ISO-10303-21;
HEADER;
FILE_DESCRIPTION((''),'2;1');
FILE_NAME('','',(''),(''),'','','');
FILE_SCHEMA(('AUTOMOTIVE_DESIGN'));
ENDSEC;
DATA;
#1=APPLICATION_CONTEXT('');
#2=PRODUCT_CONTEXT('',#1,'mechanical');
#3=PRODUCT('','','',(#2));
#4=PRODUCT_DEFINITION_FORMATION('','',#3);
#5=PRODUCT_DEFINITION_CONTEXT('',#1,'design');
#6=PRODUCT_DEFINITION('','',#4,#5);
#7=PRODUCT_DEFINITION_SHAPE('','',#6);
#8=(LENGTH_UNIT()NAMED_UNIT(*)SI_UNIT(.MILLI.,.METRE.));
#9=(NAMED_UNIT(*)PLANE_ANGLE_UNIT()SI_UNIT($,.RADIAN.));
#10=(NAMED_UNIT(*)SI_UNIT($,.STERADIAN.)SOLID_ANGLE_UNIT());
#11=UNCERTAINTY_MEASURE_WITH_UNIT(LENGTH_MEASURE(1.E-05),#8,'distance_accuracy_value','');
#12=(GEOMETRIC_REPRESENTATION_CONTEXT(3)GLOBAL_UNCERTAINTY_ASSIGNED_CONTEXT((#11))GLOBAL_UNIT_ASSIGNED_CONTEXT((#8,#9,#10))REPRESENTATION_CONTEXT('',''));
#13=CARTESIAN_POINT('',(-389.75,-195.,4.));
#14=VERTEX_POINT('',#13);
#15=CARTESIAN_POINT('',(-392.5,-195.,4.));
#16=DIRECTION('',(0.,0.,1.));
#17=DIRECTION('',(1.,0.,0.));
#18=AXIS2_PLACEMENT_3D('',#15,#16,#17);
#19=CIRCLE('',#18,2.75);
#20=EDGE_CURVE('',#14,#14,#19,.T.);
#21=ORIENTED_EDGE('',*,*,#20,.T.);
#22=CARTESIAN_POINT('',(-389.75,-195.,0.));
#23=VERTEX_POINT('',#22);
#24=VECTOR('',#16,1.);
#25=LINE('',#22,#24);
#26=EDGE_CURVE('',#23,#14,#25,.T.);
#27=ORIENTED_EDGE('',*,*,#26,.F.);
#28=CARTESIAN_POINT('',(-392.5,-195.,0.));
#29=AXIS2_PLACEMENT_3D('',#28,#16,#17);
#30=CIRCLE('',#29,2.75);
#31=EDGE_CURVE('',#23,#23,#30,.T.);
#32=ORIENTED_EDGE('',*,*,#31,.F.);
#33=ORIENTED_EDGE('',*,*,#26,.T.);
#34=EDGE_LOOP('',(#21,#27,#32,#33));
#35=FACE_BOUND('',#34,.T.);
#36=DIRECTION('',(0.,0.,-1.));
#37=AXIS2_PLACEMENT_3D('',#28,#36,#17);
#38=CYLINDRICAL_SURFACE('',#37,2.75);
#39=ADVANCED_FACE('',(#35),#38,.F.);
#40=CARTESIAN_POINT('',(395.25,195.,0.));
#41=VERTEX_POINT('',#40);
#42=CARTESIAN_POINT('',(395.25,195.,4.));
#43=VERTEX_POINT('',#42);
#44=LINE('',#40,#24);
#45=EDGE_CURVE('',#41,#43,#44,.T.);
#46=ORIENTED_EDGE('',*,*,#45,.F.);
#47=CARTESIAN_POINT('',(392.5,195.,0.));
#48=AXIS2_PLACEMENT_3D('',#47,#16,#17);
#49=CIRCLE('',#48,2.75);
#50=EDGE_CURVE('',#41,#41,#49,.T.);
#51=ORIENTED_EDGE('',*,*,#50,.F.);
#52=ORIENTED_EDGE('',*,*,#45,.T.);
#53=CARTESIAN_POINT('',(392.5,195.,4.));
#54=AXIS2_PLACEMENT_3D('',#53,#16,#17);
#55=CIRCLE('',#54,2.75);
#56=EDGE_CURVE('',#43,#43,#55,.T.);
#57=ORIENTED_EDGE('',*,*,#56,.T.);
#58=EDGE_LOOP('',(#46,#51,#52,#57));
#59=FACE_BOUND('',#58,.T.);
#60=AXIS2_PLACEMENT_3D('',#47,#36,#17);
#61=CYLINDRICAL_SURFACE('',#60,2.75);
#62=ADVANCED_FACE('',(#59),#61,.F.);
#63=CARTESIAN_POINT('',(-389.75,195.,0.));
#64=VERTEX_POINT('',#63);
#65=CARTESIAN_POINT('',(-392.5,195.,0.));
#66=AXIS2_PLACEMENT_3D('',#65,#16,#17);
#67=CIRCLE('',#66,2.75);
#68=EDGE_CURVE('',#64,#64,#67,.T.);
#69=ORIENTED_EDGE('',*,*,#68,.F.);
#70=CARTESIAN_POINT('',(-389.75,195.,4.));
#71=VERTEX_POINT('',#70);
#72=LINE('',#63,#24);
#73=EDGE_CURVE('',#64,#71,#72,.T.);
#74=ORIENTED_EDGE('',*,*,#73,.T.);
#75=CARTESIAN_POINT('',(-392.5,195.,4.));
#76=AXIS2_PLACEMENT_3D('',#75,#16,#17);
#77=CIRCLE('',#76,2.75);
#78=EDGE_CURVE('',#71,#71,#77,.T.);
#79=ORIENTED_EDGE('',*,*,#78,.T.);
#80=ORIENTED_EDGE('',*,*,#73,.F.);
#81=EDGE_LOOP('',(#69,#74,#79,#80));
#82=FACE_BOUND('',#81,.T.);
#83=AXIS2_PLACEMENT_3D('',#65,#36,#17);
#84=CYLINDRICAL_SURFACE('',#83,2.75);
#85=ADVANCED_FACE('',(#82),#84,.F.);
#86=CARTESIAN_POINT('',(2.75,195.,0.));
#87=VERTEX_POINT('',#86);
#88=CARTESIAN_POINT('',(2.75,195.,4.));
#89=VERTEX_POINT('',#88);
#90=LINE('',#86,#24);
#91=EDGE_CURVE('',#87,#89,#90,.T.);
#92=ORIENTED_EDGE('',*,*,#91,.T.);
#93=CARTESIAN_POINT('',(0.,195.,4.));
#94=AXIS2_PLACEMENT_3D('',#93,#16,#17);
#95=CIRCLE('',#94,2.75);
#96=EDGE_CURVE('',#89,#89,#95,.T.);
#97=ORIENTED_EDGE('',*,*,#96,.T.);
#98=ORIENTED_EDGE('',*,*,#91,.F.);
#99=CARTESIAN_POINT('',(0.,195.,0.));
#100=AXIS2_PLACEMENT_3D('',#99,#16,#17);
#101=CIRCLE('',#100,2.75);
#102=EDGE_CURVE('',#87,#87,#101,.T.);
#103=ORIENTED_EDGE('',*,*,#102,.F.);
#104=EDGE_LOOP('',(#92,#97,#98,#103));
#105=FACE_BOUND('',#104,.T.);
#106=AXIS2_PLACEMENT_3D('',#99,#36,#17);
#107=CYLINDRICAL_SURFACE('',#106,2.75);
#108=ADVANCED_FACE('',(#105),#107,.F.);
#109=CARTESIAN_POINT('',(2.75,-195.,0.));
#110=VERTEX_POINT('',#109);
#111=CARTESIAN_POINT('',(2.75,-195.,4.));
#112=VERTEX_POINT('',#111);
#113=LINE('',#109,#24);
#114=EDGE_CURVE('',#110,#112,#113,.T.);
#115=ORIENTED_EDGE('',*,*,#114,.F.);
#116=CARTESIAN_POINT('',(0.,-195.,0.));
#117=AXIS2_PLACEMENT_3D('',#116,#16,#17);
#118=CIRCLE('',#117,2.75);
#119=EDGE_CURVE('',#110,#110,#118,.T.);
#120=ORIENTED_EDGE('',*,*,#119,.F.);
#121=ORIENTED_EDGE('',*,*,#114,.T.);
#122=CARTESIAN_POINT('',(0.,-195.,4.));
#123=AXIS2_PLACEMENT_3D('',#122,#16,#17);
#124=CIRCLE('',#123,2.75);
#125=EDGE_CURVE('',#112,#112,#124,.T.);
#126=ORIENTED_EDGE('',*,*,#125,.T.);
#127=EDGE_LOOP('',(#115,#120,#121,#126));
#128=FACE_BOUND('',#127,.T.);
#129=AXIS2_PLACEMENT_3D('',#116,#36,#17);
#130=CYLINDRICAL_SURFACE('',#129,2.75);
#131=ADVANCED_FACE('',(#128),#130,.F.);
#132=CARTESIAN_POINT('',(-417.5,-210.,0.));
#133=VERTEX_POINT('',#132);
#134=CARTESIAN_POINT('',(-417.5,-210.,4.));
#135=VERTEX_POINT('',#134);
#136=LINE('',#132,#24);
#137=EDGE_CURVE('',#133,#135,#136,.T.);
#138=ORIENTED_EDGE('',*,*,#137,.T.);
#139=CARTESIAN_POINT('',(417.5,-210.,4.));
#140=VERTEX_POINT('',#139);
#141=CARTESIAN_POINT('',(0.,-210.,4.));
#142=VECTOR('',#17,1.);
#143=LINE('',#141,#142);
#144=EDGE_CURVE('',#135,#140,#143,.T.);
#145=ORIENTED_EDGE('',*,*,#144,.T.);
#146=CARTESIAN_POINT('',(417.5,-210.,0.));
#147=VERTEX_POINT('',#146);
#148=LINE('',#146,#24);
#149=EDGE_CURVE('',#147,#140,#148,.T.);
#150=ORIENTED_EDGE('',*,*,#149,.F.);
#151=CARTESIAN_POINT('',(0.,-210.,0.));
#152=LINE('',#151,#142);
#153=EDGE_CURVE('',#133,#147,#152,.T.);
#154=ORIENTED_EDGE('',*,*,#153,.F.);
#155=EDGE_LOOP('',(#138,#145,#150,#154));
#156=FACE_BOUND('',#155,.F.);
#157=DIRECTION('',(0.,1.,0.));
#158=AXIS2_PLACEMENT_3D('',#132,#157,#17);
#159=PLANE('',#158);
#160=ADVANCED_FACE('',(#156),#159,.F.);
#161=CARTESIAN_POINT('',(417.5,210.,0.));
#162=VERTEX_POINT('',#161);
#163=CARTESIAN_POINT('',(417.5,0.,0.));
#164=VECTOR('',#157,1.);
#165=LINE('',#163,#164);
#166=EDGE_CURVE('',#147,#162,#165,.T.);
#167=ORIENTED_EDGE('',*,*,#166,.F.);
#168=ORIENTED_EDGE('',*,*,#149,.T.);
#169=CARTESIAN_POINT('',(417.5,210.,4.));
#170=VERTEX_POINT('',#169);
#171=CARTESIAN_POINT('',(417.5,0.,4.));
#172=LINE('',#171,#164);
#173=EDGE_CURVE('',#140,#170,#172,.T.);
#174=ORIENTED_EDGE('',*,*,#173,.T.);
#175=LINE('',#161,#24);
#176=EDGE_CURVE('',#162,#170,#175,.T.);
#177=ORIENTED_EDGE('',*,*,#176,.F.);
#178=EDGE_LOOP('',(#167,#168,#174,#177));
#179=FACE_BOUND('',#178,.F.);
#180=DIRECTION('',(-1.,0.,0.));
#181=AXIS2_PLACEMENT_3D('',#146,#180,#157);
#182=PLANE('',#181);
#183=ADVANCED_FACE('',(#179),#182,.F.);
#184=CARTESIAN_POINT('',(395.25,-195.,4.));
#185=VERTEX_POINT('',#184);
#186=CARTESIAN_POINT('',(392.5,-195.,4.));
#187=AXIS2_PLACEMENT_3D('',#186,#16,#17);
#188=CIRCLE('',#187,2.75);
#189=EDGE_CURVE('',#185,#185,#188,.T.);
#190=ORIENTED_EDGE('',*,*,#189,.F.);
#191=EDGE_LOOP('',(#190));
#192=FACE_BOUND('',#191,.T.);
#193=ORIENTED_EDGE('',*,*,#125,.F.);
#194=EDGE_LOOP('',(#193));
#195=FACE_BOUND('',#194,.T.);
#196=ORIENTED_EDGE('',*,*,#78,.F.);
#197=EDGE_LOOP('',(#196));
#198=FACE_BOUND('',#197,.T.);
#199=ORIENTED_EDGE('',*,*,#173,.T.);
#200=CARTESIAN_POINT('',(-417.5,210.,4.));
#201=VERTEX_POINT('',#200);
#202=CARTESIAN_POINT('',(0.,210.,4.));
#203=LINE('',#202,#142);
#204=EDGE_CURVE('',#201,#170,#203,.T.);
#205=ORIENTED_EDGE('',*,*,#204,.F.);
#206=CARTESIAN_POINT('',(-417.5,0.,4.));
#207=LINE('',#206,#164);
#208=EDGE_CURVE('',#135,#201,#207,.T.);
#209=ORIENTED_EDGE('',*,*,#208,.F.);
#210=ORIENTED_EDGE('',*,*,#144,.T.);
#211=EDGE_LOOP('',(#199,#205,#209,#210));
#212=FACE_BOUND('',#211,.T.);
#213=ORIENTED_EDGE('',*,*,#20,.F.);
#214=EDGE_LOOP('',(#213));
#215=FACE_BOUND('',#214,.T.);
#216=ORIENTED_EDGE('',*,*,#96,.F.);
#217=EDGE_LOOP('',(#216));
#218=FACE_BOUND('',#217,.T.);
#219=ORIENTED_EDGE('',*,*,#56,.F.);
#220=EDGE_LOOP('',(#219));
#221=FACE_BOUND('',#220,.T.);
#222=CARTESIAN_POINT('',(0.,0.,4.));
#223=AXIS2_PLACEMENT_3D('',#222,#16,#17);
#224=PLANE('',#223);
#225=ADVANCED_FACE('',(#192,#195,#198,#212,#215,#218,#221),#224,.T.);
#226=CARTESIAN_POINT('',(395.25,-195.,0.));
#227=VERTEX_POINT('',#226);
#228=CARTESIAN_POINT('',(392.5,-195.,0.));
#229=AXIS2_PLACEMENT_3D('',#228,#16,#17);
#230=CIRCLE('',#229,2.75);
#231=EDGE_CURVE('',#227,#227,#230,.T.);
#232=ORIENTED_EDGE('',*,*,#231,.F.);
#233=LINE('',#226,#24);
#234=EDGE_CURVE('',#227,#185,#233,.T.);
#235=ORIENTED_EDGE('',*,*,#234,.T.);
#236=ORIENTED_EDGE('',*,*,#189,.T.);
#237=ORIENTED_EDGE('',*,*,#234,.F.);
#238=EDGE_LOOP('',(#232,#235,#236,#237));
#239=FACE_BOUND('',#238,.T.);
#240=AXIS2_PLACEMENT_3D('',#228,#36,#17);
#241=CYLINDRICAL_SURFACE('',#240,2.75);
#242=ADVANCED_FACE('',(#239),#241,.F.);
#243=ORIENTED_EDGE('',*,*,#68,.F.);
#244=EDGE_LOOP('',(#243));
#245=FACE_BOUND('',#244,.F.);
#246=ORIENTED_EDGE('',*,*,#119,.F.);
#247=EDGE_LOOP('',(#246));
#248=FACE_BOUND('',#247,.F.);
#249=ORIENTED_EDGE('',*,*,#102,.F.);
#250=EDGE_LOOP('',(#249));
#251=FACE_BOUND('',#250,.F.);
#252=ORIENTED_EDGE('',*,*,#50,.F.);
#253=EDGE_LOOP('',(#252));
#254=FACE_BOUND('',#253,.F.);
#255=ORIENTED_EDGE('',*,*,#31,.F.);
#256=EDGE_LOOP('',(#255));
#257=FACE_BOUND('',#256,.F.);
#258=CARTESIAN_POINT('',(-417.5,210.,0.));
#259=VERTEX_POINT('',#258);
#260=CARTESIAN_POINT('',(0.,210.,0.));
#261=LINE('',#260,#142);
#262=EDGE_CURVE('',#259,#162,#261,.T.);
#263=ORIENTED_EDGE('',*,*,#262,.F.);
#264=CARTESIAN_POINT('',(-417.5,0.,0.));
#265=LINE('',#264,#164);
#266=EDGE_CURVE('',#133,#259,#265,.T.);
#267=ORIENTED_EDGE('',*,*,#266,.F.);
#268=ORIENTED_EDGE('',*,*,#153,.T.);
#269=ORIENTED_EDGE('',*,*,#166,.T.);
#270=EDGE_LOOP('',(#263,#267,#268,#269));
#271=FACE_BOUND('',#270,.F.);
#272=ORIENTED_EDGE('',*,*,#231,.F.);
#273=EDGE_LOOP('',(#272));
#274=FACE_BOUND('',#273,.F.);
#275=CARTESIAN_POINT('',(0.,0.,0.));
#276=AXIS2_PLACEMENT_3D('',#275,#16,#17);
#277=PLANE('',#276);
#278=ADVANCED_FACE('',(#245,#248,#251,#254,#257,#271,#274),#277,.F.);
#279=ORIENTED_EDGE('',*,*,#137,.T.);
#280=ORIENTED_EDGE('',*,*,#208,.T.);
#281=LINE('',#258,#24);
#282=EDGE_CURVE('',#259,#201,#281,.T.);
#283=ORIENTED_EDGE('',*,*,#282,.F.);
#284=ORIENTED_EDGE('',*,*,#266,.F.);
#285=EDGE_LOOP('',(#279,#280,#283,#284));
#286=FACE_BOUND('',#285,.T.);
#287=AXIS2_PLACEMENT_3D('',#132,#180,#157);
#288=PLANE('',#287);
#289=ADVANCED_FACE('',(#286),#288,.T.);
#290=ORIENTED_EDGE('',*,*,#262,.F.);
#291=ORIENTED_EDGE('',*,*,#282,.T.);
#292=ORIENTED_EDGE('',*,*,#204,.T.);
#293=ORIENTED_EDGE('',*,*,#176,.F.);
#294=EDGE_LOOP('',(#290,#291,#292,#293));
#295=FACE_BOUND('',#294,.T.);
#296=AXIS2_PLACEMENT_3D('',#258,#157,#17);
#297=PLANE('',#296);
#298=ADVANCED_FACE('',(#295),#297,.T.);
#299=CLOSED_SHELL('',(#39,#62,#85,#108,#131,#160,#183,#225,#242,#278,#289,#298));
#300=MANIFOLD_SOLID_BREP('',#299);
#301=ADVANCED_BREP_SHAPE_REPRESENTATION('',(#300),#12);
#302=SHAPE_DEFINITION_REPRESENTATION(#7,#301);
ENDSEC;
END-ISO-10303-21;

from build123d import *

# Parameters (mm, degrees)
F0_W     = 835
F0_H     = 420
F0_R     = 2.75
F1_DEPTH = 4


with BuildPart() as f1:
    # F0 (on Top) → F1 (new body)
    with BuildSketch(Plane.XY):
        Rectangle(F0_W, F0_H)
        with Locations((-392.5, -195)):
            Circle(F0_R, mode=Mode.SUBTRACT)
        with Locations((0, -195)):
            Circle(F0_R, mode=Mode.SUBTRACT)
        with Locations((392.5, -195)):
            Circle(F0_R, mode=Mode.SUBTRACT)
        with Locations((-392.5, 195)):
            Circle(F0_R, mode=Mode.SUBTRACT)
        with Locations((0, 195)):
            Circle(F0_R, mode=Mode.SUBTRACT)
        with Locations((392.5, 195)):
            Circle(F0_R, mode=Mode.SUBTRACT)
    extrude(amount=F1_DEPTH)


solid = f1.part
